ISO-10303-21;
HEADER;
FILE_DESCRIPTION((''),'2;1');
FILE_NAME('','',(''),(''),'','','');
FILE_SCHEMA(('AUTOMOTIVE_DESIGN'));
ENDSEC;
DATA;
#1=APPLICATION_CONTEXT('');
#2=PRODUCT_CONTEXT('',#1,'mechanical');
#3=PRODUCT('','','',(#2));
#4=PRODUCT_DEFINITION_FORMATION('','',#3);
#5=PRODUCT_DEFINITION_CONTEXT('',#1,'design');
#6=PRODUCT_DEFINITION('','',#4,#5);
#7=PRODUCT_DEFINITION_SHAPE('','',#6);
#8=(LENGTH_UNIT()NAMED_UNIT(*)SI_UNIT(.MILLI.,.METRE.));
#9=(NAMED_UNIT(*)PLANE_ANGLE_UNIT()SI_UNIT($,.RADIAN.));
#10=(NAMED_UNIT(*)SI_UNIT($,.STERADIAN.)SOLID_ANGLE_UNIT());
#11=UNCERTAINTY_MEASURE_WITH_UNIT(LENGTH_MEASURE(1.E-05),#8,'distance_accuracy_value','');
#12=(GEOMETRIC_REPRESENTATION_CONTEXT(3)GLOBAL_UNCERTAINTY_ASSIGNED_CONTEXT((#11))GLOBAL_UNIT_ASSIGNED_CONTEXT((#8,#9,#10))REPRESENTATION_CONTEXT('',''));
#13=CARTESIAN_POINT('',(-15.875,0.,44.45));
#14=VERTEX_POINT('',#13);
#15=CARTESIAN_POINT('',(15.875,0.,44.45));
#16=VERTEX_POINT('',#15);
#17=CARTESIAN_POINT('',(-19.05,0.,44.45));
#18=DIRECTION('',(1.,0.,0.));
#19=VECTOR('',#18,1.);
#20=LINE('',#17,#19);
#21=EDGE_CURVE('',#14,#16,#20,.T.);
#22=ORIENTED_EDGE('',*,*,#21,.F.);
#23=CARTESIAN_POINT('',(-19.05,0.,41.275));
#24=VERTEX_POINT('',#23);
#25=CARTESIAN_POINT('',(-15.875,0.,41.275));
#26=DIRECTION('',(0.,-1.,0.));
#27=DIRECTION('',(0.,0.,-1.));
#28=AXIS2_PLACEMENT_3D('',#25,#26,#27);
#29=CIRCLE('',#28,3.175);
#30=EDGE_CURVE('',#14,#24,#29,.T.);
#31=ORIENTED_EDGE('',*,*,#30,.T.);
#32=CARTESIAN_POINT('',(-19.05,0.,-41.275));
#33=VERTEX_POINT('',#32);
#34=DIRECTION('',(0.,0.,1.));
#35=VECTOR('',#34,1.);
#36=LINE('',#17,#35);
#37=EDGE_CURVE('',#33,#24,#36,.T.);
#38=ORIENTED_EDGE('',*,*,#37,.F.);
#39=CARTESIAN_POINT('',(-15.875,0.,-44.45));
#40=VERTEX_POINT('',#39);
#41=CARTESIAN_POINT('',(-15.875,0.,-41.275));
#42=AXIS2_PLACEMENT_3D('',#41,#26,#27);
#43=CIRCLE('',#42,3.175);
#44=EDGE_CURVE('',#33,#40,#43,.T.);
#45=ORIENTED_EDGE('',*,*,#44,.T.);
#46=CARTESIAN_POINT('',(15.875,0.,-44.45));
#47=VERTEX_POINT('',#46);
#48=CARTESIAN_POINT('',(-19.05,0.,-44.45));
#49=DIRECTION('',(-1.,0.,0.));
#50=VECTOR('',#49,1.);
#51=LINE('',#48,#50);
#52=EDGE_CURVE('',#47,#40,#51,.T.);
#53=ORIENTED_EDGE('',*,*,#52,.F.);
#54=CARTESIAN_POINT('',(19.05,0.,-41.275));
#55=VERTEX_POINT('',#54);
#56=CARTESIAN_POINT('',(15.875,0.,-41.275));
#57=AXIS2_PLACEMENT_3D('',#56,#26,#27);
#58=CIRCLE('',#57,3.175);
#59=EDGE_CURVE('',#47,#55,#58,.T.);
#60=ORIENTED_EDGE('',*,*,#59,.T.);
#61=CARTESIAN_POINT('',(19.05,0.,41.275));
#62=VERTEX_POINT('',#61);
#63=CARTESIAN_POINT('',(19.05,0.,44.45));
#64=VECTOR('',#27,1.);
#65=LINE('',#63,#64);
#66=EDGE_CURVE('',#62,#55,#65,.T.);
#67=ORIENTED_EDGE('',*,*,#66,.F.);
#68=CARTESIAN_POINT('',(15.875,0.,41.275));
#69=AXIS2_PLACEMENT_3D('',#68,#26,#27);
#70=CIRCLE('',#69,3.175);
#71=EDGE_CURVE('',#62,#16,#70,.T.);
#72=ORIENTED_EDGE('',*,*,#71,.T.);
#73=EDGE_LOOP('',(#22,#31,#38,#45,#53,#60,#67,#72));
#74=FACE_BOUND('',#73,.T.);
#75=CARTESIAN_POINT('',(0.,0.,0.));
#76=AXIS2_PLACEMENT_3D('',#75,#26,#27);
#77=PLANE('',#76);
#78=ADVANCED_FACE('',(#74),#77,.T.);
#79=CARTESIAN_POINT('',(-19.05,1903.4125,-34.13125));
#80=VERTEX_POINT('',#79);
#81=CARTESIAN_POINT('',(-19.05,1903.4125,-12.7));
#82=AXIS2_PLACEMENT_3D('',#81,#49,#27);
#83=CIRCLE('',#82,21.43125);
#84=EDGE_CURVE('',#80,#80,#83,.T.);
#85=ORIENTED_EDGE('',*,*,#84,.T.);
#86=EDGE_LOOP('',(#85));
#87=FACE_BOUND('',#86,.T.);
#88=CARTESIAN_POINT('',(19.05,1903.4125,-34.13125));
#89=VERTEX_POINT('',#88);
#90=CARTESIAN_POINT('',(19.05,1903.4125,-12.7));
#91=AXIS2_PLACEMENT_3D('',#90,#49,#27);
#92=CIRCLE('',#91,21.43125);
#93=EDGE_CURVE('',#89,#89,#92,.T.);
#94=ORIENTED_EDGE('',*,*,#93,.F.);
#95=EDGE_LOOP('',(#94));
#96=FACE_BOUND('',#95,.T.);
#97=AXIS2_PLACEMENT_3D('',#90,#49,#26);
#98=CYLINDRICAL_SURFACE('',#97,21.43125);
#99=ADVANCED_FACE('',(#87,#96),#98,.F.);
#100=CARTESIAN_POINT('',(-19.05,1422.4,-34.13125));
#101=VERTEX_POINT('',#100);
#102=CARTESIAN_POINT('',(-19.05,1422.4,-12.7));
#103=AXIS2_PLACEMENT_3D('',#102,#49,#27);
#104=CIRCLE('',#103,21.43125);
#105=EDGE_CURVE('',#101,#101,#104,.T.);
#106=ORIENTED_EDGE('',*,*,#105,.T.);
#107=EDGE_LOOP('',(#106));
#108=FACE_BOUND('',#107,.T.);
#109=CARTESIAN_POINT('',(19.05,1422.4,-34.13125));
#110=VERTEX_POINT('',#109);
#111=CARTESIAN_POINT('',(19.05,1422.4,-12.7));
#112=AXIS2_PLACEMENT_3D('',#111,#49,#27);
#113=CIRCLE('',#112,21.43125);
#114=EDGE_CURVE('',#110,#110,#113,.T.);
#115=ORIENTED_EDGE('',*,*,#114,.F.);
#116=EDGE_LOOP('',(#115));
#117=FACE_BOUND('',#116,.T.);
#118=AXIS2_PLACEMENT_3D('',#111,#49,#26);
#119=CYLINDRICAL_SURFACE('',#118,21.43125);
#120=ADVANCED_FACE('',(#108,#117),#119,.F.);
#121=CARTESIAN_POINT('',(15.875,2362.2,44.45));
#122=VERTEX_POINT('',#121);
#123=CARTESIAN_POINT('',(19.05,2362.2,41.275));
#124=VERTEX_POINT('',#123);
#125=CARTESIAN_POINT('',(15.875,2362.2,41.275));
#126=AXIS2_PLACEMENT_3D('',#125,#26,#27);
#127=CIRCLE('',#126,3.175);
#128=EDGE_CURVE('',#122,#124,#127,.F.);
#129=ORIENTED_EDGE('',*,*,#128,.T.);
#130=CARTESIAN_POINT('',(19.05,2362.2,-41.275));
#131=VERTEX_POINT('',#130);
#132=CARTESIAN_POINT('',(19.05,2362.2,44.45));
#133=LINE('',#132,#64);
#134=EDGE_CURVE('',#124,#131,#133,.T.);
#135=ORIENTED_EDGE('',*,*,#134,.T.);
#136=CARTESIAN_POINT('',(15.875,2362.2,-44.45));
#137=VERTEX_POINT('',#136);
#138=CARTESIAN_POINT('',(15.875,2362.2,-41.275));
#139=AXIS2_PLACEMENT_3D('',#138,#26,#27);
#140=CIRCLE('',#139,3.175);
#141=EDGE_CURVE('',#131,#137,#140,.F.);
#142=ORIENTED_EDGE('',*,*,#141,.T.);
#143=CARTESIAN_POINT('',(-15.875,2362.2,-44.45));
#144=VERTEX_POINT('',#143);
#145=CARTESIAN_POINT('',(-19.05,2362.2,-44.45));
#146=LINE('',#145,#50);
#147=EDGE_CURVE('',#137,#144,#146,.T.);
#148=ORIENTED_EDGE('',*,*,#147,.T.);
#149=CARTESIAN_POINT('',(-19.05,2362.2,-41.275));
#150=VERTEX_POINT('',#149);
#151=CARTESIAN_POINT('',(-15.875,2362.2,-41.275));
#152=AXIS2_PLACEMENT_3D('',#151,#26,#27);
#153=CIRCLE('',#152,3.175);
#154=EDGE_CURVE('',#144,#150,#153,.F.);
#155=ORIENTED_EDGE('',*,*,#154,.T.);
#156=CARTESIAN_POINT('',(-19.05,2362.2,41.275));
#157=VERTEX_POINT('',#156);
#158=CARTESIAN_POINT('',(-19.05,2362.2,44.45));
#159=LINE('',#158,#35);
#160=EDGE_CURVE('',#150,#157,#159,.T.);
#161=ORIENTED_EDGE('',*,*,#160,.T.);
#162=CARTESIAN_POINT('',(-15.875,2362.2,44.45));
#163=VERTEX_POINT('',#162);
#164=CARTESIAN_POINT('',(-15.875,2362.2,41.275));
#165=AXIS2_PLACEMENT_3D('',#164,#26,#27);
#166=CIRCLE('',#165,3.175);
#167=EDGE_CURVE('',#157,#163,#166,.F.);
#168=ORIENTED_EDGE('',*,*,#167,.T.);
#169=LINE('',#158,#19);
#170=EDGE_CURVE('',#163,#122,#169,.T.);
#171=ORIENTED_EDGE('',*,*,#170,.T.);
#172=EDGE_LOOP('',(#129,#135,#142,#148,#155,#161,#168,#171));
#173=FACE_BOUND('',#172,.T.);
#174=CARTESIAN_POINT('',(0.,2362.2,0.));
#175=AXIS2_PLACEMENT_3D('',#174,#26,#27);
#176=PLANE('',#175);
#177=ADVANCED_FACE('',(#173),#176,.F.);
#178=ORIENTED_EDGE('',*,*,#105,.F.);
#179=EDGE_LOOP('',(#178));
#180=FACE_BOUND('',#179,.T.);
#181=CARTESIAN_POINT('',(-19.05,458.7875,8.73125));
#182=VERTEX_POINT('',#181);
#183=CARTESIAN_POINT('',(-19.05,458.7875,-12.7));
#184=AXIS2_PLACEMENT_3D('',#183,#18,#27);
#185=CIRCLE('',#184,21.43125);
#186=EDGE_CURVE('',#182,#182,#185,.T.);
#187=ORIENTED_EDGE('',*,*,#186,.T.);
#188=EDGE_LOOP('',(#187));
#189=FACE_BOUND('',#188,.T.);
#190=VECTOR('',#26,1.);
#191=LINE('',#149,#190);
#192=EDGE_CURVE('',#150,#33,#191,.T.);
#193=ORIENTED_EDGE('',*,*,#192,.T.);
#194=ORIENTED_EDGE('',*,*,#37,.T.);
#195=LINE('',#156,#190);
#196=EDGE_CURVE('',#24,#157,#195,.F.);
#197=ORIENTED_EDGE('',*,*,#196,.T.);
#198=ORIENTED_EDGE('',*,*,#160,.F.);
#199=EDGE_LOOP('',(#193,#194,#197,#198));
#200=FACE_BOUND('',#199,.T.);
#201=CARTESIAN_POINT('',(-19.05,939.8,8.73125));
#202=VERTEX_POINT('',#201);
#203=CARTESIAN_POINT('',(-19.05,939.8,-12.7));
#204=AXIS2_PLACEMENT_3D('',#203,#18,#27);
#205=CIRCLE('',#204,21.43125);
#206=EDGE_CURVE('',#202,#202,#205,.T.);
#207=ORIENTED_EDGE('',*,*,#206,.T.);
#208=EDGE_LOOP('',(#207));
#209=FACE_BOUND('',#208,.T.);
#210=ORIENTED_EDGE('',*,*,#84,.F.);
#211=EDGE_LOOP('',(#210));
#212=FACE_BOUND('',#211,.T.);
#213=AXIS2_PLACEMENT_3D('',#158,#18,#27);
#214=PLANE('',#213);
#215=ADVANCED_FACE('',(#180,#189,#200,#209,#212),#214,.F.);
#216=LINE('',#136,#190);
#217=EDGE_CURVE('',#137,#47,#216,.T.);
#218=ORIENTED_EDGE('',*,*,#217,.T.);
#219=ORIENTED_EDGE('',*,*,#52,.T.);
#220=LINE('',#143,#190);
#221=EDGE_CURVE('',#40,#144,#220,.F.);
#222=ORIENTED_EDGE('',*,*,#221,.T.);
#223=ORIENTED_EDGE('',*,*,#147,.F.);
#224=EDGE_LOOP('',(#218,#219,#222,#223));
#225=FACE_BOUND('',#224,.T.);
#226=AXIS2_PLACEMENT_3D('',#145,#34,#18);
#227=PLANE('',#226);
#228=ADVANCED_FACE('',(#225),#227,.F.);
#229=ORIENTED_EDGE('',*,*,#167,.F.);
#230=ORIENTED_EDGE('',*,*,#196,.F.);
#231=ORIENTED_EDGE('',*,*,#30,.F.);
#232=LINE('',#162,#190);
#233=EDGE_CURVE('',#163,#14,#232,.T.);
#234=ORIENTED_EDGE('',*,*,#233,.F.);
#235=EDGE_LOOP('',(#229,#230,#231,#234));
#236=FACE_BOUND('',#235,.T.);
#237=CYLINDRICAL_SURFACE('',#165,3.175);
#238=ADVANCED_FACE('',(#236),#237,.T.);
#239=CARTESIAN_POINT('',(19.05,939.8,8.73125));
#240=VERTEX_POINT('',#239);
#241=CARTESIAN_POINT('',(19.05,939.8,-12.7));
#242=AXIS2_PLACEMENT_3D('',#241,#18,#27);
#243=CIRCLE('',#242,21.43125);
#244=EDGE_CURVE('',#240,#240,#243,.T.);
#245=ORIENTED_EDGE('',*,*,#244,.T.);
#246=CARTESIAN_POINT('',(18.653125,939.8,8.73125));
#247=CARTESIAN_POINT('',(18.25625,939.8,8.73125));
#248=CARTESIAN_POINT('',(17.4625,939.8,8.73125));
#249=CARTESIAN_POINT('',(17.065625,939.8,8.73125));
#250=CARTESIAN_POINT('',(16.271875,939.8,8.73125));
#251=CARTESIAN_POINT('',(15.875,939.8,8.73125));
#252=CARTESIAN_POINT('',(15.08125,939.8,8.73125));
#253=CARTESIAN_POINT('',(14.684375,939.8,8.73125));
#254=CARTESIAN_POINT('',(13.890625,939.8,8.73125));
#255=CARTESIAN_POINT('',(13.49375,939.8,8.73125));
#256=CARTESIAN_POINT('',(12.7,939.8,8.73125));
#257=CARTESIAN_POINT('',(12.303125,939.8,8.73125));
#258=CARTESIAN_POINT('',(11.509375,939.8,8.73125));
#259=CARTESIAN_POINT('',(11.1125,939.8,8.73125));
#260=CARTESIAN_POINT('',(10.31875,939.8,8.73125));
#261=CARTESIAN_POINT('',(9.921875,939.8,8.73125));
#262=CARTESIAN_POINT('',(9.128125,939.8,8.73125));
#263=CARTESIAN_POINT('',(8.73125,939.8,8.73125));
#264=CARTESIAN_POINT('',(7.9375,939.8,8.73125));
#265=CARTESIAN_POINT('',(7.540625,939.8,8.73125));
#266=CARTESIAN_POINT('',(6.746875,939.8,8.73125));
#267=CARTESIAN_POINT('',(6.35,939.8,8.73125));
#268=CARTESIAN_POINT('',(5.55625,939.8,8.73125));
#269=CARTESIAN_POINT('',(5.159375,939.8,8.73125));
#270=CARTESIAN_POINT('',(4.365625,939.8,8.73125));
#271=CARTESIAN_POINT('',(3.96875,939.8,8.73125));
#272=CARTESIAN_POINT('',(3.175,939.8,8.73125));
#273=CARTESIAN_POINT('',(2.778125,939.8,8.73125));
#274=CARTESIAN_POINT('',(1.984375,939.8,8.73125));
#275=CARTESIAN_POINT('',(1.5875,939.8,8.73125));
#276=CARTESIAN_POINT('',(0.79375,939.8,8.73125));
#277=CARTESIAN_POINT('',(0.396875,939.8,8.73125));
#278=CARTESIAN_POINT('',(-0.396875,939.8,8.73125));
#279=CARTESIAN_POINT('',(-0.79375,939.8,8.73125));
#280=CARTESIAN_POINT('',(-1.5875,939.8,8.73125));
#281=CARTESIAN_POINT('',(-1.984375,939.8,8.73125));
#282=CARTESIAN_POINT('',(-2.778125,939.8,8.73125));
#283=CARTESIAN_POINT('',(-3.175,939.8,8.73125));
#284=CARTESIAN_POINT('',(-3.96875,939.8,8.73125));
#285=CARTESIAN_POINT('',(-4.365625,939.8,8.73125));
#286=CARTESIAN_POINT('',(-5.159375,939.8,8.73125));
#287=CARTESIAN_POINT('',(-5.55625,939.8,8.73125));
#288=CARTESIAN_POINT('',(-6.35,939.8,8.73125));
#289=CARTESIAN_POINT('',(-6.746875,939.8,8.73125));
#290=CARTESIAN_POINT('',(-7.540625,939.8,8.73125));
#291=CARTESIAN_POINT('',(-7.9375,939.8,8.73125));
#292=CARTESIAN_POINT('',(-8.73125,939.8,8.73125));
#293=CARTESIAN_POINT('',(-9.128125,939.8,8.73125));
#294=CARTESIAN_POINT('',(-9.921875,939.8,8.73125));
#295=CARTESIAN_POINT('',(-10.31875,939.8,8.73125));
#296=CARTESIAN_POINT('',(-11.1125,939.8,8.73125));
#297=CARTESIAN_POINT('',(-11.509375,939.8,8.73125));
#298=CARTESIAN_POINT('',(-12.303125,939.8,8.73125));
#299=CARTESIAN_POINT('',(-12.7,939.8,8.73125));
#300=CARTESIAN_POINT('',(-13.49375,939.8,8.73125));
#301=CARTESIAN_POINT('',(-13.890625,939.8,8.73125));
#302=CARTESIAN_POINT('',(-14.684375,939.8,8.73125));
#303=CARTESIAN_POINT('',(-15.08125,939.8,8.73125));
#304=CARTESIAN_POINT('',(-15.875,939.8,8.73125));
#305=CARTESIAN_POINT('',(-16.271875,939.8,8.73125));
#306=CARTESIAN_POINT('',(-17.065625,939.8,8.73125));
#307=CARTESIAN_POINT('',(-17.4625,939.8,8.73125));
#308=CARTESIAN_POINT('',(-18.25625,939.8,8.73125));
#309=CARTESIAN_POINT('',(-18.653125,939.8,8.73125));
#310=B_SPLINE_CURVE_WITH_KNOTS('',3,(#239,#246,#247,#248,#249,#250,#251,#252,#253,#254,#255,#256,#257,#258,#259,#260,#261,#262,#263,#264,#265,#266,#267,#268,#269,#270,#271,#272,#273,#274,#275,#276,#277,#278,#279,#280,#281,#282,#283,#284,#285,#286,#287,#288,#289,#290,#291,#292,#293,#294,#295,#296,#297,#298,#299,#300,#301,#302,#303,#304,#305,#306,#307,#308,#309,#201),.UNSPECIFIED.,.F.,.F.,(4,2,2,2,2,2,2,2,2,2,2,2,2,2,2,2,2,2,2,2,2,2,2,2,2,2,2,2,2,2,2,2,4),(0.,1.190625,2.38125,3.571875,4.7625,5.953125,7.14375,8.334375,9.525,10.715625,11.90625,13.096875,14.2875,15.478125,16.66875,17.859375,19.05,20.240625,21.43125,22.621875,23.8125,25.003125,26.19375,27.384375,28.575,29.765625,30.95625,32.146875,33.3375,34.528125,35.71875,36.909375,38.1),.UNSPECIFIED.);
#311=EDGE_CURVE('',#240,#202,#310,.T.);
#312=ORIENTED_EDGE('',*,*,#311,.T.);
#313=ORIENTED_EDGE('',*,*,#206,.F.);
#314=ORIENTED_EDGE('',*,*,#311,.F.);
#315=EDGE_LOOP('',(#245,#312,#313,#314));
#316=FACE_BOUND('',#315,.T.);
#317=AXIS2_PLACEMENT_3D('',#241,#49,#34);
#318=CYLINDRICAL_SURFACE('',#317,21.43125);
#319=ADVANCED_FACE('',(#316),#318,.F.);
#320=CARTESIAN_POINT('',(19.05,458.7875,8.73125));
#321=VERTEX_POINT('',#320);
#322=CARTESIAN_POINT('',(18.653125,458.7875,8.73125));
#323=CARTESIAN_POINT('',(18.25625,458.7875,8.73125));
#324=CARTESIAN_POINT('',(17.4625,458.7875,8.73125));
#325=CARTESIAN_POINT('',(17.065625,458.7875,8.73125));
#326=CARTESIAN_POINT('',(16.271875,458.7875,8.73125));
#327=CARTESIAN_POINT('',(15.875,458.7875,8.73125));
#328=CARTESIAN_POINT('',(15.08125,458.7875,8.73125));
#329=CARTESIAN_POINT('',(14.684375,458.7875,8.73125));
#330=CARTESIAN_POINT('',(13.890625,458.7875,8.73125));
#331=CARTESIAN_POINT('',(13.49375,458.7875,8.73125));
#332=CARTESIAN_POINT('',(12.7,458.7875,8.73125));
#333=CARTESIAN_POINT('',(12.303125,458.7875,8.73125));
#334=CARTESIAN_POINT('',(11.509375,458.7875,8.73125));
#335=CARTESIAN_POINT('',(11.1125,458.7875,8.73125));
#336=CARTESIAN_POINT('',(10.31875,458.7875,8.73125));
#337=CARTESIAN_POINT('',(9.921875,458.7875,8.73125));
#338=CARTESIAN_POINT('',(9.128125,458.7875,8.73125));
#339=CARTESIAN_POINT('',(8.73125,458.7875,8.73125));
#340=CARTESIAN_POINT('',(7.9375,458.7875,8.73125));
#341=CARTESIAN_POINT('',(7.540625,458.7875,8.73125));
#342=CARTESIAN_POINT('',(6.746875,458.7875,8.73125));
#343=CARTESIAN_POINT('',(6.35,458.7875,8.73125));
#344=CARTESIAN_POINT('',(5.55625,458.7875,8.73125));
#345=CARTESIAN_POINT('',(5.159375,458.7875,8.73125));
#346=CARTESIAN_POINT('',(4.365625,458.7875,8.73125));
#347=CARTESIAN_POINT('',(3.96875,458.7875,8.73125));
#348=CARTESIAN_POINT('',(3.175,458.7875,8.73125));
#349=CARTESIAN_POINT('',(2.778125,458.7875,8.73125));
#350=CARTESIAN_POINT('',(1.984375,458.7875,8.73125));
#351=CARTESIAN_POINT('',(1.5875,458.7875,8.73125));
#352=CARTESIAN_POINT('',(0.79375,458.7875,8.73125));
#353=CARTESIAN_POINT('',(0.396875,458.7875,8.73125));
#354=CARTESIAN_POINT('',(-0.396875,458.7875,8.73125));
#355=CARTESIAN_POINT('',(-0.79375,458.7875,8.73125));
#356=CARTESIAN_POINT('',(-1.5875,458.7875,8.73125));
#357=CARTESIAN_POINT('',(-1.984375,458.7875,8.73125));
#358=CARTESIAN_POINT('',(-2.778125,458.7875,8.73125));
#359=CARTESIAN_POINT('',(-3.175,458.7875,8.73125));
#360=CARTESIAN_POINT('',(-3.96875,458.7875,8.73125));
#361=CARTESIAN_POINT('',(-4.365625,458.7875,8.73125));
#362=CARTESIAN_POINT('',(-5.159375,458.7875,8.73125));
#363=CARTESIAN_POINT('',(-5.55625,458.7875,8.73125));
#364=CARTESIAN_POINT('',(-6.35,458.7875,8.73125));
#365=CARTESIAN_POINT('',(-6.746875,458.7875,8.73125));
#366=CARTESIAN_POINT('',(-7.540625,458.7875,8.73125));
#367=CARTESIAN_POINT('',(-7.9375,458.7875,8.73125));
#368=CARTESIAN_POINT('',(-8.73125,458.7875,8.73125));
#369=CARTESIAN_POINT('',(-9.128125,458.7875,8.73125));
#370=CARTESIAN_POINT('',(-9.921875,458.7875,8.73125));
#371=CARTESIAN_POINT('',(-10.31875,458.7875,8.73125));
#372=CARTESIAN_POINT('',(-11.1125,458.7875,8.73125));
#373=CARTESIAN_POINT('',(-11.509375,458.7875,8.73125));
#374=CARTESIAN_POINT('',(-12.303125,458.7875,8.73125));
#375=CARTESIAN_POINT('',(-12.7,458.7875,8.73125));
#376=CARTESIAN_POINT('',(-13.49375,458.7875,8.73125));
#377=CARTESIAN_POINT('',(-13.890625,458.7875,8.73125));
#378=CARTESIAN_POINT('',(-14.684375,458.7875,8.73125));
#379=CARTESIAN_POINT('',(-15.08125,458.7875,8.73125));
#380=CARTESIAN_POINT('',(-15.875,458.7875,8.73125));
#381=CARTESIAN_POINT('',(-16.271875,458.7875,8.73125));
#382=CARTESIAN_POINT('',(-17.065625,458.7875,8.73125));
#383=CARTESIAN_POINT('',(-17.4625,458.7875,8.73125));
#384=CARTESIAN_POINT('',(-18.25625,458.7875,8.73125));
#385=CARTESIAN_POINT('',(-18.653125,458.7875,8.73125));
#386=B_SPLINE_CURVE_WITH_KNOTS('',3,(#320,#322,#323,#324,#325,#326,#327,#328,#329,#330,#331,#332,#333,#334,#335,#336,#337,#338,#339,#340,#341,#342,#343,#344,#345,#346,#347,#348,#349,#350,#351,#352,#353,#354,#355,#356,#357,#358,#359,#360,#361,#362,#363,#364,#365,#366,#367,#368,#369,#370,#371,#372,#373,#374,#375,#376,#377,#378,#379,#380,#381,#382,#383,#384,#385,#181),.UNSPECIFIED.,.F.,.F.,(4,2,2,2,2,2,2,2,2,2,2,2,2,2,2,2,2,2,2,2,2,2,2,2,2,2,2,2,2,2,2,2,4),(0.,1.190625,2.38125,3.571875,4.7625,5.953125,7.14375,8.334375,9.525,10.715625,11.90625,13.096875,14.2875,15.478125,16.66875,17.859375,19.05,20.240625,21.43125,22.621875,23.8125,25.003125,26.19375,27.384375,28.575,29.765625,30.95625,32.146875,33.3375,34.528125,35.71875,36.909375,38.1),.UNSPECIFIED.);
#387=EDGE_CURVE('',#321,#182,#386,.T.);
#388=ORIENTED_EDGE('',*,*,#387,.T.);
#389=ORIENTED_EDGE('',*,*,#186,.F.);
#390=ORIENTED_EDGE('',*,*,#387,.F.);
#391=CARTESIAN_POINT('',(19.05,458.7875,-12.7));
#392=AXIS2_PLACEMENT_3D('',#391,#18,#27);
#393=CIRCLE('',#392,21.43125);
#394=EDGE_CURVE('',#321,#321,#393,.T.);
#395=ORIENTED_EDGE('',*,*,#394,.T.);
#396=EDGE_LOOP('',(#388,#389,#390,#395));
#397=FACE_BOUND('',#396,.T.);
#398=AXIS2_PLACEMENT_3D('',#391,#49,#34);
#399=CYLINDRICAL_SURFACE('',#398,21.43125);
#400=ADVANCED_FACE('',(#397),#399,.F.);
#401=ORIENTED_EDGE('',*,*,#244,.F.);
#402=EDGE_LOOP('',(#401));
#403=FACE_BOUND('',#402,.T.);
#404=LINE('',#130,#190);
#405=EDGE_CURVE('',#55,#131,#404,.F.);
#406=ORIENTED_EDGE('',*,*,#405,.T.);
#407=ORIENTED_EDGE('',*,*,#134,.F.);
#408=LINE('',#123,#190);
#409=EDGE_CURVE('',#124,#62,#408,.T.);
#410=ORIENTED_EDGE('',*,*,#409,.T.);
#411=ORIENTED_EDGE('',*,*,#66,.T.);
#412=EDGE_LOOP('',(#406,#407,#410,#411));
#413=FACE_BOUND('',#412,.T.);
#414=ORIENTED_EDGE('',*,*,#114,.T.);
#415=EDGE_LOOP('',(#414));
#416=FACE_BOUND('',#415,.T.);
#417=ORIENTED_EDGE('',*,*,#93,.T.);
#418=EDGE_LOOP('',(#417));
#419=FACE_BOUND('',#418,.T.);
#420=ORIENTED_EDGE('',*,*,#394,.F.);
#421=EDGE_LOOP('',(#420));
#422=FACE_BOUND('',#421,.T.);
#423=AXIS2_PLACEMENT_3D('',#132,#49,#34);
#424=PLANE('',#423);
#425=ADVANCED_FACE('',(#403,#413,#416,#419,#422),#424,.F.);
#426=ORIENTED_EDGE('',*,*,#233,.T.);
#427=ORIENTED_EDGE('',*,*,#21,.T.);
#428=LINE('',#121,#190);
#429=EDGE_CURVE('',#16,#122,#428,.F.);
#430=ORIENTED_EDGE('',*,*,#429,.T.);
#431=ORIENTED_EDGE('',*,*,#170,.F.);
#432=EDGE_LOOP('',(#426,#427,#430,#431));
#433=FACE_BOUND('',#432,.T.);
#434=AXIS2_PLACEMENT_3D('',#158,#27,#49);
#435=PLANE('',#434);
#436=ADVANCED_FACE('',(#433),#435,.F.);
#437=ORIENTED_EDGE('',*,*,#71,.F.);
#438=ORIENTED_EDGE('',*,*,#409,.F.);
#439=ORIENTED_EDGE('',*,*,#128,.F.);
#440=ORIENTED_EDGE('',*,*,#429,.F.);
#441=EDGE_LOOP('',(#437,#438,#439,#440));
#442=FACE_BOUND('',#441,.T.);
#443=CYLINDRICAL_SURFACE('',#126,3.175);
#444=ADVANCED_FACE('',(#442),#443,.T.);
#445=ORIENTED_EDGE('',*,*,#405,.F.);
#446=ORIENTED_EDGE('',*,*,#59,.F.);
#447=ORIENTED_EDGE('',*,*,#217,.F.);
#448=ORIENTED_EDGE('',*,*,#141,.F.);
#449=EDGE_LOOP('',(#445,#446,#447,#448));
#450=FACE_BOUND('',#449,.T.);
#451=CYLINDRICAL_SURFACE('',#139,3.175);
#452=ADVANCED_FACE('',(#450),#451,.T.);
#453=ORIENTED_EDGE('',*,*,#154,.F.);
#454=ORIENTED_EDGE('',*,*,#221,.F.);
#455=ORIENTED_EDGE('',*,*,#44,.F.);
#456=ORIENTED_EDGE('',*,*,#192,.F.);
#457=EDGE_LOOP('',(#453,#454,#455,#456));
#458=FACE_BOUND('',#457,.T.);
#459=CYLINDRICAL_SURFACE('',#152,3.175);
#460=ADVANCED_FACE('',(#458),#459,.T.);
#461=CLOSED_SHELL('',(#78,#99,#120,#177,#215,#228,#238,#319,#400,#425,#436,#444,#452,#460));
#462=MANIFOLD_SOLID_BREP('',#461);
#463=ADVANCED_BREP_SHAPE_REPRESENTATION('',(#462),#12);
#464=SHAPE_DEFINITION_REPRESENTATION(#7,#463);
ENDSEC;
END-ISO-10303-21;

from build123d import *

# Parameters (mm, degrees)
SKETCH1_W           = 38.1
SKETCH1_H           = 88.9
BOSS_EXTRUDE1_DEPTH = 2362.2
SKETCH2_R           = 21.43125
CUT_EXTRUDE4_DEPTH  = 2363.925359062
FILLET1_R           = 3.175


with BuildPart() as part:
    # Sketch1 → Boss-Extrude1 (new body)
    with BuildSketch(Plane(origin=(0, 0, 0), x_dir=(1, 0, 0), z_dir=(0, 1, 0))):
        Rectangle(SKETCH1_W, SKETCH1_H)
    extrude(amount=BOSS_EXTRUDE1_DEPTH)

    # Sketch2 → Cut-Extrude4 (cut, through all)
    with BuildSketch(Plane(origin=(-19.05, 0, 0), x_dir=(0, 0, -1), z_dir=(1, 0, 0))):
        with Locations(Location((12.7, 458.7875, 0), (0, 0, 180))):
            Circle(SKETCH2_R)
        with Locations(Location((12.7, 939.8, 0), (0, 0, 180))):
            Circle(SKETCH2_R)
    cut_extrude4 = extrude(amount=CUT_EXTRUDE4_DEPTH, mode=Mode.SUBTRACT)

    # Fillet1
    fillet1_edges = [part.edges().sort_by_distance(p)[0] for p in [
        (19.05, 1181.1, 44.45),
        (-19.05, 1181.1, 44.45),
        (-19.05, 1181.1, -44.45),
        (19.05, 1181.1, -44.45),
    ]]
    fillet(fillet1_edges, radius=FILLET1_R)

    # Mirror1: Cut-Extrude4 across plane
    add(cut_extrude4.mirror(Plane(origin=(0, 1181.1, 0), x_dir=(0, 0, 1), z_dir=(0, -1, 0))), mode=Mode.SUBTRACT)


solid = part.part
